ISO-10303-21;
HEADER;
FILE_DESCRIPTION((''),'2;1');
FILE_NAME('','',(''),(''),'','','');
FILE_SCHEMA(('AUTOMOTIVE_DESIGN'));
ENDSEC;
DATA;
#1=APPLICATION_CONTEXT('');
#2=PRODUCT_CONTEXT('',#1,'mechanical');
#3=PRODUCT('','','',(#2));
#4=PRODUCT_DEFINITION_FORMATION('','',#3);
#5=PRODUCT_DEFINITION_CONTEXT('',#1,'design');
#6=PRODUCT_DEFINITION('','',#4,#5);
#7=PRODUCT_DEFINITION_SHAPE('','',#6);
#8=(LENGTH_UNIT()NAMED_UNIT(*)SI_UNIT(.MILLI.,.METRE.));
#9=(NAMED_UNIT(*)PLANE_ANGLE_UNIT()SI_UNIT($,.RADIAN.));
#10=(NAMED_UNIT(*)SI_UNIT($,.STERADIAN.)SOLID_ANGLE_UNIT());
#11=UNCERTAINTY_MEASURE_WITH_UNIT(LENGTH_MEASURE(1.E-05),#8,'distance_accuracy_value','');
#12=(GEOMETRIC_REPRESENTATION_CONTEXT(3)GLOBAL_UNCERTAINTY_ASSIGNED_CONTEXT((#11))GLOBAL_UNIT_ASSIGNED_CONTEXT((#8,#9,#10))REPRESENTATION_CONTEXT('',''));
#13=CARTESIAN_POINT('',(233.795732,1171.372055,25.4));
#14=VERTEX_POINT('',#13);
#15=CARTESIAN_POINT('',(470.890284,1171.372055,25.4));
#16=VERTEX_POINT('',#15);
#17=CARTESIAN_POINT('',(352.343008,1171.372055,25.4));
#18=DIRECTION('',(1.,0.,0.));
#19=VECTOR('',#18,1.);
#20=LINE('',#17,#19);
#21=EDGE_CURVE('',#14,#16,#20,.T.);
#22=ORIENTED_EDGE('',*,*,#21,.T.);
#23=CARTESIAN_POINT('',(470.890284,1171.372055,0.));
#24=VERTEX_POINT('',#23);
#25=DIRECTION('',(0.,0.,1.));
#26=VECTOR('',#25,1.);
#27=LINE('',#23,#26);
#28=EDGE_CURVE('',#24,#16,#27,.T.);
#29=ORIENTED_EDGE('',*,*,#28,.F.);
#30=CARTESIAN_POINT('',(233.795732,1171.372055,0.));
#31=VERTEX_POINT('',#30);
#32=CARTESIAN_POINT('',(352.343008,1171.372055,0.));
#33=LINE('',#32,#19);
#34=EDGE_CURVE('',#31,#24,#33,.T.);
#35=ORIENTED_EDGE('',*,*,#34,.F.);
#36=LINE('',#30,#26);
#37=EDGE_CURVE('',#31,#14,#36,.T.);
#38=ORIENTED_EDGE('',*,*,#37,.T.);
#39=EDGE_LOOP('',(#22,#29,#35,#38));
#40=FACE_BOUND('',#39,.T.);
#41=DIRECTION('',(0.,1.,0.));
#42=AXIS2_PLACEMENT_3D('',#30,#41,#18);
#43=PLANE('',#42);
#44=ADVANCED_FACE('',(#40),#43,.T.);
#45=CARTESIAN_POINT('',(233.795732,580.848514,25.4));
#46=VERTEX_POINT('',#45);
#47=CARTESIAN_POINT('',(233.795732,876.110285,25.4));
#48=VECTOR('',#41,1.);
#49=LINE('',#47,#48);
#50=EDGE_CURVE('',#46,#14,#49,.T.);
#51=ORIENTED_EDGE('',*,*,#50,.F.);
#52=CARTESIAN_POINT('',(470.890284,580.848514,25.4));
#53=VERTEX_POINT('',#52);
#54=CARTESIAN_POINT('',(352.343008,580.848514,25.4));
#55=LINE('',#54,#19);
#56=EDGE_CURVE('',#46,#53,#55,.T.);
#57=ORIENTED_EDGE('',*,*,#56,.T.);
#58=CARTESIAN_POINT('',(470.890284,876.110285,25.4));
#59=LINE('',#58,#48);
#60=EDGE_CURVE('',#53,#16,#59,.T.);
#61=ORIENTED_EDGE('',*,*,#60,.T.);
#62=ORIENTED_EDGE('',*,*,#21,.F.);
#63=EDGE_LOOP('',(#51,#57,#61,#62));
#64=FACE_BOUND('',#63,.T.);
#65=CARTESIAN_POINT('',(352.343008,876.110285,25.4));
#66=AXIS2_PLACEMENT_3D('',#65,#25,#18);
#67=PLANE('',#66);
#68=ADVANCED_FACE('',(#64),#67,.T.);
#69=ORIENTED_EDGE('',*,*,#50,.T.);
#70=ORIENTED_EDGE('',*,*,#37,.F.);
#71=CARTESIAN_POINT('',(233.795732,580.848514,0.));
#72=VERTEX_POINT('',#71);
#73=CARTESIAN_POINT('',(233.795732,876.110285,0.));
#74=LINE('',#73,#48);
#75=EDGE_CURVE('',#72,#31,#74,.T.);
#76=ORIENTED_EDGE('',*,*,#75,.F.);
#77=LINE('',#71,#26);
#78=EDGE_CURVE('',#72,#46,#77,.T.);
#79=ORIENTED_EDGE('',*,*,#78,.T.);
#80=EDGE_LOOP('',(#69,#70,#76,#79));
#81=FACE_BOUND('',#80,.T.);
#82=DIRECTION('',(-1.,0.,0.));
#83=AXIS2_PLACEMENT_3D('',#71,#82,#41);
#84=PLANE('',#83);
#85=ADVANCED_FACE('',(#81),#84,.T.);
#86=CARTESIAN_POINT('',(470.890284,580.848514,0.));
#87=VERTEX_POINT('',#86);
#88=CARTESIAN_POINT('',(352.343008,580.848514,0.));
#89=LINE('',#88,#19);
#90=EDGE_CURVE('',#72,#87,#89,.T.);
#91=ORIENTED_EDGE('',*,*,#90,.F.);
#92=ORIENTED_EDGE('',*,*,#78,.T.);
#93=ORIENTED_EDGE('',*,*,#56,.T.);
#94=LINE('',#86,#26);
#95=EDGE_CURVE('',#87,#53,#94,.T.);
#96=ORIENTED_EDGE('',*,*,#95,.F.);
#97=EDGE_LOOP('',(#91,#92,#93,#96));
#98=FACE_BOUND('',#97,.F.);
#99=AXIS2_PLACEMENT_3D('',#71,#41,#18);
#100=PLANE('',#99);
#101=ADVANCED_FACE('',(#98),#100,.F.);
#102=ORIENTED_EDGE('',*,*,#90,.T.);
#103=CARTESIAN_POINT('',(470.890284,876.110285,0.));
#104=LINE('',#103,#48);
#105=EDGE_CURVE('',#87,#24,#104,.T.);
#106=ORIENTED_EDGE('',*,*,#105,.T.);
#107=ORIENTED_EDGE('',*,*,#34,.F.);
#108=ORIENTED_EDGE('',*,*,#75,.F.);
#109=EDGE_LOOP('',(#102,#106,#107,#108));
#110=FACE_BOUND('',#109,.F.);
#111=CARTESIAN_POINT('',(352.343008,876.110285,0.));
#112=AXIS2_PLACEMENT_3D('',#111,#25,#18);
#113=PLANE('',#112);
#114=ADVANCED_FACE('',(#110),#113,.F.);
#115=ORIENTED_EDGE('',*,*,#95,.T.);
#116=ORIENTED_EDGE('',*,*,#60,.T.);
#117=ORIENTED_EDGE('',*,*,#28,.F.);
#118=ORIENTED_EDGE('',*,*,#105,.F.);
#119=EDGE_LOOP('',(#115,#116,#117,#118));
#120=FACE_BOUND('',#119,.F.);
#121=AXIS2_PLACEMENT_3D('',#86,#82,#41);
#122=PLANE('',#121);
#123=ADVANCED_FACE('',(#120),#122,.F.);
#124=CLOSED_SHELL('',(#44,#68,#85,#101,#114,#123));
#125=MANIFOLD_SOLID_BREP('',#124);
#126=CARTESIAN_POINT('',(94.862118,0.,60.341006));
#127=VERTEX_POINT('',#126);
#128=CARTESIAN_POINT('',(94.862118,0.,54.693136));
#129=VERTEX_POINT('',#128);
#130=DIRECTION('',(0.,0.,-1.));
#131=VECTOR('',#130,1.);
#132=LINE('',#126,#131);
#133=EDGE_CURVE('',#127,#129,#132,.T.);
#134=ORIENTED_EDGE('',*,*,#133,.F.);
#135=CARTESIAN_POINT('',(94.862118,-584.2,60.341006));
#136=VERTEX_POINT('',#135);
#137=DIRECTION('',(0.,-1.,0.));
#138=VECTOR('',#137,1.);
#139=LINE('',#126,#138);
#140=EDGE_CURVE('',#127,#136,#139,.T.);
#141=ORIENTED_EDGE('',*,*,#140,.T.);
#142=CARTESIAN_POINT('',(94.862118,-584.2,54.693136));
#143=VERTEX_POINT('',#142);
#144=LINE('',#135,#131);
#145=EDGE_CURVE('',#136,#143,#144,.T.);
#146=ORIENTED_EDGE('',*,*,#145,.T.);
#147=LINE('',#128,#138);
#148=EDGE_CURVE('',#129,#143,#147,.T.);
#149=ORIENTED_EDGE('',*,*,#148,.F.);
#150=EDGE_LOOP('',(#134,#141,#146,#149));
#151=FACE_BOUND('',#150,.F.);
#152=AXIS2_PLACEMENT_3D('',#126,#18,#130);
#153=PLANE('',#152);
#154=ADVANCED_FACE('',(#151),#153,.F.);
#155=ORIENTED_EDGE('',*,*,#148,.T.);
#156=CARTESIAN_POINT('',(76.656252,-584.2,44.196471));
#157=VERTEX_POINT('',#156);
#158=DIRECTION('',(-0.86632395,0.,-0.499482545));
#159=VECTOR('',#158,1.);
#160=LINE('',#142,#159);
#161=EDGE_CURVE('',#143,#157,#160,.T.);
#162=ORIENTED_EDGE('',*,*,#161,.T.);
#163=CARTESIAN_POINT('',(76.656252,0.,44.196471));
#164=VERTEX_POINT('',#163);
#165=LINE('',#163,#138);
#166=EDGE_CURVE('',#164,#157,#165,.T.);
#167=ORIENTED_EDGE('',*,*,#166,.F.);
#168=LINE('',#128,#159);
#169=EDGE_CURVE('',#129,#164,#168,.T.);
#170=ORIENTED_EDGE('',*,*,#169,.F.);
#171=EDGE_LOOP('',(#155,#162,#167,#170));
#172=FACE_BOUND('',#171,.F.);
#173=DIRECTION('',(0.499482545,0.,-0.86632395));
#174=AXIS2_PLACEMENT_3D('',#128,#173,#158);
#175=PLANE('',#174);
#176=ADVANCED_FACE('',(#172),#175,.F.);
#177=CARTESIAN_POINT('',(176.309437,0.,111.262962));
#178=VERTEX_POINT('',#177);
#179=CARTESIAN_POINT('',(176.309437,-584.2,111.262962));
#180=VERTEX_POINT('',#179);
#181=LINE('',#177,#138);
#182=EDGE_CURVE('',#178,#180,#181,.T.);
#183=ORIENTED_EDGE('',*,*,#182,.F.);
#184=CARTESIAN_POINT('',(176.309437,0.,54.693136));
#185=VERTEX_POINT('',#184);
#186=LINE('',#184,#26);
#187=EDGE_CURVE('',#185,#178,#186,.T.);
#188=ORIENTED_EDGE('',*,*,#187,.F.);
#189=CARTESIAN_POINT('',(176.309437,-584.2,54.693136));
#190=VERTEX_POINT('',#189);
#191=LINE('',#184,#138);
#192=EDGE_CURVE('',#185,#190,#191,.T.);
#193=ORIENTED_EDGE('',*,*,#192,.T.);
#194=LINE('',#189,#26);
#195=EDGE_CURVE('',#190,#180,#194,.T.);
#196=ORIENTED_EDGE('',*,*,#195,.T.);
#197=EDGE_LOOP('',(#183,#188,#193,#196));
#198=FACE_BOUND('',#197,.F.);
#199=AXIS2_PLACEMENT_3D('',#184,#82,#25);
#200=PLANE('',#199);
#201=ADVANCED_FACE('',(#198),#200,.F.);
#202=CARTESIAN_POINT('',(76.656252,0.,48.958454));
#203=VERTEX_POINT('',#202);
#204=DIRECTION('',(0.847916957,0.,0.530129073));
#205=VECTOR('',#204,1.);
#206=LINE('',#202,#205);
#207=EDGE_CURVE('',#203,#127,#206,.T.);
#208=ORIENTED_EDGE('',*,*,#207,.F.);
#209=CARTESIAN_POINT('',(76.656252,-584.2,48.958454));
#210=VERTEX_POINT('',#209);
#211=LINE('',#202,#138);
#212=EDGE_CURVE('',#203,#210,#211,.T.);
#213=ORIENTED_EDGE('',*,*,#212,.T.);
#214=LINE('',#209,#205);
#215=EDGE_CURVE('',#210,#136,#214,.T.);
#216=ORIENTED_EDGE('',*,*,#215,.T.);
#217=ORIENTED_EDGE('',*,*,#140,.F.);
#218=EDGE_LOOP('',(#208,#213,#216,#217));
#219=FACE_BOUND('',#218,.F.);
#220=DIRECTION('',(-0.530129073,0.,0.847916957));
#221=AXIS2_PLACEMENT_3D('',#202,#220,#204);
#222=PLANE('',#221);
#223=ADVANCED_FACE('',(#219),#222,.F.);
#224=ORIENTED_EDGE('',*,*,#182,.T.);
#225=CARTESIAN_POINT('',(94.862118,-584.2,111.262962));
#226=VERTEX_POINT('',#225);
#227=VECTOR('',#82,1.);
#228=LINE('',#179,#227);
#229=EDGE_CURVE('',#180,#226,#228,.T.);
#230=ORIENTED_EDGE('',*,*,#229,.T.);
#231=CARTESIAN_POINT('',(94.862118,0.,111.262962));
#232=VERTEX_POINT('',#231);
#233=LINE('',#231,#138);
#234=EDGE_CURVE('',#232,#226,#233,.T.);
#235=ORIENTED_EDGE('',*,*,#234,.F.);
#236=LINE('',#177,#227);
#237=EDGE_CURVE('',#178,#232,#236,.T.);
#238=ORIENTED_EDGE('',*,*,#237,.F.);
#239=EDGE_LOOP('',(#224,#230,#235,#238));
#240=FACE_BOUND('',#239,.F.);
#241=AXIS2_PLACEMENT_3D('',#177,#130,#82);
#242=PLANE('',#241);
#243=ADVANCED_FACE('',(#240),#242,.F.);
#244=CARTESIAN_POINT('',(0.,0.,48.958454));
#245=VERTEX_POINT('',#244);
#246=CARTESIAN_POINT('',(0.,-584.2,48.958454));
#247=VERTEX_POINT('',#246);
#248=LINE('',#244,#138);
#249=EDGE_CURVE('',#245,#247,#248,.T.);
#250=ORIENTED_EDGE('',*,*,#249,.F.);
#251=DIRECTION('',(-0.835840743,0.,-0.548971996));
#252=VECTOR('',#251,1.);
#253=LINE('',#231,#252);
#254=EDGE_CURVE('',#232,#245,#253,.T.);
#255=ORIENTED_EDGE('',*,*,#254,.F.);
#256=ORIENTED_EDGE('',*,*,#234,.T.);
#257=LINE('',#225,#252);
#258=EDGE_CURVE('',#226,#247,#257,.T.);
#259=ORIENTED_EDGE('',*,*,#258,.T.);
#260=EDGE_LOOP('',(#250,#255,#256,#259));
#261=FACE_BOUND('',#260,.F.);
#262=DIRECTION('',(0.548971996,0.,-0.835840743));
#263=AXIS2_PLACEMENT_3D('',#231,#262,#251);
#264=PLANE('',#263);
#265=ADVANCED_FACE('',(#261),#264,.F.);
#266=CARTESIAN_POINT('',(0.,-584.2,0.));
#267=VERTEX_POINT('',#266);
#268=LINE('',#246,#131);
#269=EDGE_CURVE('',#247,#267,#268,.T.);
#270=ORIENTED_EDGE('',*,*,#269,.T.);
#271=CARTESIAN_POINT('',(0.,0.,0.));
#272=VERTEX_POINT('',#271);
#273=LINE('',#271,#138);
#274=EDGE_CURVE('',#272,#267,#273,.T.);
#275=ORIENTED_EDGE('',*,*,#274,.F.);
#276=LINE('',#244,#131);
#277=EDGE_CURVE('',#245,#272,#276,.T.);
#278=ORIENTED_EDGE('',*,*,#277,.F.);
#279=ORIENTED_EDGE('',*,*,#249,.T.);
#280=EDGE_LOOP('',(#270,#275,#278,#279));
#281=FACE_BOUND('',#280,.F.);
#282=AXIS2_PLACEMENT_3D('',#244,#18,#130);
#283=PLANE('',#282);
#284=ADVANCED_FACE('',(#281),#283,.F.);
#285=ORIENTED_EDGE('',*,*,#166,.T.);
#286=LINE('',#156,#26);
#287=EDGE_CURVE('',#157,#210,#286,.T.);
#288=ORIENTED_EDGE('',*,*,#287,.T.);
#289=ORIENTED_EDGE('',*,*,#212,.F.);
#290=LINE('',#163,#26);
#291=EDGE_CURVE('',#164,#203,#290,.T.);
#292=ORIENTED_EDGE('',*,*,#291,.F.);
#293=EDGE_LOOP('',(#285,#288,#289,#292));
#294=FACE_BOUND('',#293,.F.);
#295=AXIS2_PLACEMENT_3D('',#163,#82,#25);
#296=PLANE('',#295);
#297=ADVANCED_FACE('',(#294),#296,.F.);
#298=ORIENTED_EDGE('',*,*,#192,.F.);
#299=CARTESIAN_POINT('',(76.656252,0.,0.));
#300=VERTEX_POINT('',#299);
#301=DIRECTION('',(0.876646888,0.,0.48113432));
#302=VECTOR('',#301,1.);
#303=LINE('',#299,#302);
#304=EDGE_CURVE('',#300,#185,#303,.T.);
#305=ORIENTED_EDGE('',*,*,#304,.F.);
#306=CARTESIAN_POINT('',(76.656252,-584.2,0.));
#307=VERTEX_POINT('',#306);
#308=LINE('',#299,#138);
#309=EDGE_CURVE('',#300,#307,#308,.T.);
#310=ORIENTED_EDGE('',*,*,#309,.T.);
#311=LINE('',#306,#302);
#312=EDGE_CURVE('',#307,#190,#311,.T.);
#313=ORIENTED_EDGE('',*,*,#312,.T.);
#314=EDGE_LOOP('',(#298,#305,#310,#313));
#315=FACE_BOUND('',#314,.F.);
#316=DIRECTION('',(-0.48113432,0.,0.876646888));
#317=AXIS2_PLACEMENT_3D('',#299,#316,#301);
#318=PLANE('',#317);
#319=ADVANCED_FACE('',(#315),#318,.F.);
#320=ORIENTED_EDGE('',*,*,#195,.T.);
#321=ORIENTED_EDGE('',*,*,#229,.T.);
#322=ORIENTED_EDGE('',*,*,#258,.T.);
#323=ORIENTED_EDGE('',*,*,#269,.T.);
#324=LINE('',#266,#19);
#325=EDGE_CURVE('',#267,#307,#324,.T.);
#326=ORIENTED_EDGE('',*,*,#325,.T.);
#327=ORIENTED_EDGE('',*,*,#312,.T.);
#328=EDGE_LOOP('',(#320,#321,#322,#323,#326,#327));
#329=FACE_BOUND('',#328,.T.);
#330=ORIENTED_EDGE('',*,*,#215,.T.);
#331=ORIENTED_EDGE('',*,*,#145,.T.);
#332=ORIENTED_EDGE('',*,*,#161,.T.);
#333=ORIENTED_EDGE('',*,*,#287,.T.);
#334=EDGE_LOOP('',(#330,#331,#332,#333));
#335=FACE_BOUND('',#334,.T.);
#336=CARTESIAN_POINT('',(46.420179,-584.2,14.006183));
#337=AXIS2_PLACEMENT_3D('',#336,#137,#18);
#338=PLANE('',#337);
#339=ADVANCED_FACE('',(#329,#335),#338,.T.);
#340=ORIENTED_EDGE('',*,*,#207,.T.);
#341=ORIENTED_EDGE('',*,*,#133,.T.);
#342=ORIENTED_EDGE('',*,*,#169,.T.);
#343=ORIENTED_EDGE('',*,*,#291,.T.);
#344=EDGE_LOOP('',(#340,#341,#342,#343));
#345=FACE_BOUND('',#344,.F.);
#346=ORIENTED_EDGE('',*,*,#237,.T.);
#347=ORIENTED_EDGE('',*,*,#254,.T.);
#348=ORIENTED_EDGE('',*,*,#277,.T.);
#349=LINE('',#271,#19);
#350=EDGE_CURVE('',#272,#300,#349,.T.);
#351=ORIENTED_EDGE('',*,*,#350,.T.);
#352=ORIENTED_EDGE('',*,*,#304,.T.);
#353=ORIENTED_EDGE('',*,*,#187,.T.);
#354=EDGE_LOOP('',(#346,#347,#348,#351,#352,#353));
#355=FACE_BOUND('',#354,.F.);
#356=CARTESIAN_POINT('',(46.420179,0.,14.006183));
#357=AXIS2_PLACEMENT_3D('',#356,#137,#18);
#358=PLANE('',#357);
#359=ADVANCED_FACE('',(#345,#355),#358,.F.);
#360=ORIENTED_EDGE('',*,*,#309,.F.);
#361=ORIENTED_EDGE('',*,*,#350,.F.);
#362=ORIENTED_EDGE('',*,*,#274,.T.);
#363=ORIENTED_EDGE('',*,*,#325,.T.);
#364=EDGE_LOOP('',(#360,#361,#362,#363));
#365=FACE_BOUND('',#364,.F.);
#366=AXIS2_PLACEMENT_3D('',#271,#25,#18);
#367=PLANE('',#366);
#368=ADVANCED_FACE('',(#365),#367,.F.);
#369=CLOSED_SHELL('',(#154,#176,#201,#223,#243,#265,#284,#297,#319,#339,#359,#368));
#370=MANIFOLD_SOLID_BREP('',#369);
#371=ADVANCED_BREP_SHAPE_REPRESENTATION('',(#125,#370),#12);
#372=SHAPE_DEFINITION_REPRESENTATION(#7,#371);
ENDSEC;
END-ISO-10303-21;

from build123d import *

# Parameters (mm, degrees)
F2_W     = 237.094552
F2_H     = 590.523541
F3_DEPTH = 25.4
F4_DEPTH = 584.2


with BuildPart() as f3:
    # F2 (on Top) → F3 (new body)
    with BuildSketch(Plane.XY):
        with Locations((352.343008, 876.110285)):
            Rectangle(F2_W, F2_H)
    extrude(amount=F3_DEPTH)


with BuildPart() as f4:
    # F0 (on Front) → F4 (new body)
    with BuildSketch(Plane.XZ):
        Polygon((76.656252, 44.196471), (0, 0), (76.656252, 0), align=None)
        Polygon((94.862118, 111.262962), (0, 48.958454), (76.656252, 48.958454), (94.862118, 60.341006), align=None)
        Polygon((176.309437, 111.262962), (94.862118, 111.262962), (94.862118, 60.341006), align=None)
        Polygon((94.862118, 54.693136), (176.309437, 54.693136), (176.309437, 111.262962), (94.862118, 60.341006), align=None)
        Polygon((76.656252, 44.196471), (76.656252, 0), (176.309437, 54.693136), (94.862118, 54.693136), align=None)
        Polygon((0, 48.958454), (0, 0), (76.656252, 44.196471), (76.656252, 48.958454), align=None)
    extrude(amount=F4_DEPTH)


solid = Compound([f3.part, f4.part])
